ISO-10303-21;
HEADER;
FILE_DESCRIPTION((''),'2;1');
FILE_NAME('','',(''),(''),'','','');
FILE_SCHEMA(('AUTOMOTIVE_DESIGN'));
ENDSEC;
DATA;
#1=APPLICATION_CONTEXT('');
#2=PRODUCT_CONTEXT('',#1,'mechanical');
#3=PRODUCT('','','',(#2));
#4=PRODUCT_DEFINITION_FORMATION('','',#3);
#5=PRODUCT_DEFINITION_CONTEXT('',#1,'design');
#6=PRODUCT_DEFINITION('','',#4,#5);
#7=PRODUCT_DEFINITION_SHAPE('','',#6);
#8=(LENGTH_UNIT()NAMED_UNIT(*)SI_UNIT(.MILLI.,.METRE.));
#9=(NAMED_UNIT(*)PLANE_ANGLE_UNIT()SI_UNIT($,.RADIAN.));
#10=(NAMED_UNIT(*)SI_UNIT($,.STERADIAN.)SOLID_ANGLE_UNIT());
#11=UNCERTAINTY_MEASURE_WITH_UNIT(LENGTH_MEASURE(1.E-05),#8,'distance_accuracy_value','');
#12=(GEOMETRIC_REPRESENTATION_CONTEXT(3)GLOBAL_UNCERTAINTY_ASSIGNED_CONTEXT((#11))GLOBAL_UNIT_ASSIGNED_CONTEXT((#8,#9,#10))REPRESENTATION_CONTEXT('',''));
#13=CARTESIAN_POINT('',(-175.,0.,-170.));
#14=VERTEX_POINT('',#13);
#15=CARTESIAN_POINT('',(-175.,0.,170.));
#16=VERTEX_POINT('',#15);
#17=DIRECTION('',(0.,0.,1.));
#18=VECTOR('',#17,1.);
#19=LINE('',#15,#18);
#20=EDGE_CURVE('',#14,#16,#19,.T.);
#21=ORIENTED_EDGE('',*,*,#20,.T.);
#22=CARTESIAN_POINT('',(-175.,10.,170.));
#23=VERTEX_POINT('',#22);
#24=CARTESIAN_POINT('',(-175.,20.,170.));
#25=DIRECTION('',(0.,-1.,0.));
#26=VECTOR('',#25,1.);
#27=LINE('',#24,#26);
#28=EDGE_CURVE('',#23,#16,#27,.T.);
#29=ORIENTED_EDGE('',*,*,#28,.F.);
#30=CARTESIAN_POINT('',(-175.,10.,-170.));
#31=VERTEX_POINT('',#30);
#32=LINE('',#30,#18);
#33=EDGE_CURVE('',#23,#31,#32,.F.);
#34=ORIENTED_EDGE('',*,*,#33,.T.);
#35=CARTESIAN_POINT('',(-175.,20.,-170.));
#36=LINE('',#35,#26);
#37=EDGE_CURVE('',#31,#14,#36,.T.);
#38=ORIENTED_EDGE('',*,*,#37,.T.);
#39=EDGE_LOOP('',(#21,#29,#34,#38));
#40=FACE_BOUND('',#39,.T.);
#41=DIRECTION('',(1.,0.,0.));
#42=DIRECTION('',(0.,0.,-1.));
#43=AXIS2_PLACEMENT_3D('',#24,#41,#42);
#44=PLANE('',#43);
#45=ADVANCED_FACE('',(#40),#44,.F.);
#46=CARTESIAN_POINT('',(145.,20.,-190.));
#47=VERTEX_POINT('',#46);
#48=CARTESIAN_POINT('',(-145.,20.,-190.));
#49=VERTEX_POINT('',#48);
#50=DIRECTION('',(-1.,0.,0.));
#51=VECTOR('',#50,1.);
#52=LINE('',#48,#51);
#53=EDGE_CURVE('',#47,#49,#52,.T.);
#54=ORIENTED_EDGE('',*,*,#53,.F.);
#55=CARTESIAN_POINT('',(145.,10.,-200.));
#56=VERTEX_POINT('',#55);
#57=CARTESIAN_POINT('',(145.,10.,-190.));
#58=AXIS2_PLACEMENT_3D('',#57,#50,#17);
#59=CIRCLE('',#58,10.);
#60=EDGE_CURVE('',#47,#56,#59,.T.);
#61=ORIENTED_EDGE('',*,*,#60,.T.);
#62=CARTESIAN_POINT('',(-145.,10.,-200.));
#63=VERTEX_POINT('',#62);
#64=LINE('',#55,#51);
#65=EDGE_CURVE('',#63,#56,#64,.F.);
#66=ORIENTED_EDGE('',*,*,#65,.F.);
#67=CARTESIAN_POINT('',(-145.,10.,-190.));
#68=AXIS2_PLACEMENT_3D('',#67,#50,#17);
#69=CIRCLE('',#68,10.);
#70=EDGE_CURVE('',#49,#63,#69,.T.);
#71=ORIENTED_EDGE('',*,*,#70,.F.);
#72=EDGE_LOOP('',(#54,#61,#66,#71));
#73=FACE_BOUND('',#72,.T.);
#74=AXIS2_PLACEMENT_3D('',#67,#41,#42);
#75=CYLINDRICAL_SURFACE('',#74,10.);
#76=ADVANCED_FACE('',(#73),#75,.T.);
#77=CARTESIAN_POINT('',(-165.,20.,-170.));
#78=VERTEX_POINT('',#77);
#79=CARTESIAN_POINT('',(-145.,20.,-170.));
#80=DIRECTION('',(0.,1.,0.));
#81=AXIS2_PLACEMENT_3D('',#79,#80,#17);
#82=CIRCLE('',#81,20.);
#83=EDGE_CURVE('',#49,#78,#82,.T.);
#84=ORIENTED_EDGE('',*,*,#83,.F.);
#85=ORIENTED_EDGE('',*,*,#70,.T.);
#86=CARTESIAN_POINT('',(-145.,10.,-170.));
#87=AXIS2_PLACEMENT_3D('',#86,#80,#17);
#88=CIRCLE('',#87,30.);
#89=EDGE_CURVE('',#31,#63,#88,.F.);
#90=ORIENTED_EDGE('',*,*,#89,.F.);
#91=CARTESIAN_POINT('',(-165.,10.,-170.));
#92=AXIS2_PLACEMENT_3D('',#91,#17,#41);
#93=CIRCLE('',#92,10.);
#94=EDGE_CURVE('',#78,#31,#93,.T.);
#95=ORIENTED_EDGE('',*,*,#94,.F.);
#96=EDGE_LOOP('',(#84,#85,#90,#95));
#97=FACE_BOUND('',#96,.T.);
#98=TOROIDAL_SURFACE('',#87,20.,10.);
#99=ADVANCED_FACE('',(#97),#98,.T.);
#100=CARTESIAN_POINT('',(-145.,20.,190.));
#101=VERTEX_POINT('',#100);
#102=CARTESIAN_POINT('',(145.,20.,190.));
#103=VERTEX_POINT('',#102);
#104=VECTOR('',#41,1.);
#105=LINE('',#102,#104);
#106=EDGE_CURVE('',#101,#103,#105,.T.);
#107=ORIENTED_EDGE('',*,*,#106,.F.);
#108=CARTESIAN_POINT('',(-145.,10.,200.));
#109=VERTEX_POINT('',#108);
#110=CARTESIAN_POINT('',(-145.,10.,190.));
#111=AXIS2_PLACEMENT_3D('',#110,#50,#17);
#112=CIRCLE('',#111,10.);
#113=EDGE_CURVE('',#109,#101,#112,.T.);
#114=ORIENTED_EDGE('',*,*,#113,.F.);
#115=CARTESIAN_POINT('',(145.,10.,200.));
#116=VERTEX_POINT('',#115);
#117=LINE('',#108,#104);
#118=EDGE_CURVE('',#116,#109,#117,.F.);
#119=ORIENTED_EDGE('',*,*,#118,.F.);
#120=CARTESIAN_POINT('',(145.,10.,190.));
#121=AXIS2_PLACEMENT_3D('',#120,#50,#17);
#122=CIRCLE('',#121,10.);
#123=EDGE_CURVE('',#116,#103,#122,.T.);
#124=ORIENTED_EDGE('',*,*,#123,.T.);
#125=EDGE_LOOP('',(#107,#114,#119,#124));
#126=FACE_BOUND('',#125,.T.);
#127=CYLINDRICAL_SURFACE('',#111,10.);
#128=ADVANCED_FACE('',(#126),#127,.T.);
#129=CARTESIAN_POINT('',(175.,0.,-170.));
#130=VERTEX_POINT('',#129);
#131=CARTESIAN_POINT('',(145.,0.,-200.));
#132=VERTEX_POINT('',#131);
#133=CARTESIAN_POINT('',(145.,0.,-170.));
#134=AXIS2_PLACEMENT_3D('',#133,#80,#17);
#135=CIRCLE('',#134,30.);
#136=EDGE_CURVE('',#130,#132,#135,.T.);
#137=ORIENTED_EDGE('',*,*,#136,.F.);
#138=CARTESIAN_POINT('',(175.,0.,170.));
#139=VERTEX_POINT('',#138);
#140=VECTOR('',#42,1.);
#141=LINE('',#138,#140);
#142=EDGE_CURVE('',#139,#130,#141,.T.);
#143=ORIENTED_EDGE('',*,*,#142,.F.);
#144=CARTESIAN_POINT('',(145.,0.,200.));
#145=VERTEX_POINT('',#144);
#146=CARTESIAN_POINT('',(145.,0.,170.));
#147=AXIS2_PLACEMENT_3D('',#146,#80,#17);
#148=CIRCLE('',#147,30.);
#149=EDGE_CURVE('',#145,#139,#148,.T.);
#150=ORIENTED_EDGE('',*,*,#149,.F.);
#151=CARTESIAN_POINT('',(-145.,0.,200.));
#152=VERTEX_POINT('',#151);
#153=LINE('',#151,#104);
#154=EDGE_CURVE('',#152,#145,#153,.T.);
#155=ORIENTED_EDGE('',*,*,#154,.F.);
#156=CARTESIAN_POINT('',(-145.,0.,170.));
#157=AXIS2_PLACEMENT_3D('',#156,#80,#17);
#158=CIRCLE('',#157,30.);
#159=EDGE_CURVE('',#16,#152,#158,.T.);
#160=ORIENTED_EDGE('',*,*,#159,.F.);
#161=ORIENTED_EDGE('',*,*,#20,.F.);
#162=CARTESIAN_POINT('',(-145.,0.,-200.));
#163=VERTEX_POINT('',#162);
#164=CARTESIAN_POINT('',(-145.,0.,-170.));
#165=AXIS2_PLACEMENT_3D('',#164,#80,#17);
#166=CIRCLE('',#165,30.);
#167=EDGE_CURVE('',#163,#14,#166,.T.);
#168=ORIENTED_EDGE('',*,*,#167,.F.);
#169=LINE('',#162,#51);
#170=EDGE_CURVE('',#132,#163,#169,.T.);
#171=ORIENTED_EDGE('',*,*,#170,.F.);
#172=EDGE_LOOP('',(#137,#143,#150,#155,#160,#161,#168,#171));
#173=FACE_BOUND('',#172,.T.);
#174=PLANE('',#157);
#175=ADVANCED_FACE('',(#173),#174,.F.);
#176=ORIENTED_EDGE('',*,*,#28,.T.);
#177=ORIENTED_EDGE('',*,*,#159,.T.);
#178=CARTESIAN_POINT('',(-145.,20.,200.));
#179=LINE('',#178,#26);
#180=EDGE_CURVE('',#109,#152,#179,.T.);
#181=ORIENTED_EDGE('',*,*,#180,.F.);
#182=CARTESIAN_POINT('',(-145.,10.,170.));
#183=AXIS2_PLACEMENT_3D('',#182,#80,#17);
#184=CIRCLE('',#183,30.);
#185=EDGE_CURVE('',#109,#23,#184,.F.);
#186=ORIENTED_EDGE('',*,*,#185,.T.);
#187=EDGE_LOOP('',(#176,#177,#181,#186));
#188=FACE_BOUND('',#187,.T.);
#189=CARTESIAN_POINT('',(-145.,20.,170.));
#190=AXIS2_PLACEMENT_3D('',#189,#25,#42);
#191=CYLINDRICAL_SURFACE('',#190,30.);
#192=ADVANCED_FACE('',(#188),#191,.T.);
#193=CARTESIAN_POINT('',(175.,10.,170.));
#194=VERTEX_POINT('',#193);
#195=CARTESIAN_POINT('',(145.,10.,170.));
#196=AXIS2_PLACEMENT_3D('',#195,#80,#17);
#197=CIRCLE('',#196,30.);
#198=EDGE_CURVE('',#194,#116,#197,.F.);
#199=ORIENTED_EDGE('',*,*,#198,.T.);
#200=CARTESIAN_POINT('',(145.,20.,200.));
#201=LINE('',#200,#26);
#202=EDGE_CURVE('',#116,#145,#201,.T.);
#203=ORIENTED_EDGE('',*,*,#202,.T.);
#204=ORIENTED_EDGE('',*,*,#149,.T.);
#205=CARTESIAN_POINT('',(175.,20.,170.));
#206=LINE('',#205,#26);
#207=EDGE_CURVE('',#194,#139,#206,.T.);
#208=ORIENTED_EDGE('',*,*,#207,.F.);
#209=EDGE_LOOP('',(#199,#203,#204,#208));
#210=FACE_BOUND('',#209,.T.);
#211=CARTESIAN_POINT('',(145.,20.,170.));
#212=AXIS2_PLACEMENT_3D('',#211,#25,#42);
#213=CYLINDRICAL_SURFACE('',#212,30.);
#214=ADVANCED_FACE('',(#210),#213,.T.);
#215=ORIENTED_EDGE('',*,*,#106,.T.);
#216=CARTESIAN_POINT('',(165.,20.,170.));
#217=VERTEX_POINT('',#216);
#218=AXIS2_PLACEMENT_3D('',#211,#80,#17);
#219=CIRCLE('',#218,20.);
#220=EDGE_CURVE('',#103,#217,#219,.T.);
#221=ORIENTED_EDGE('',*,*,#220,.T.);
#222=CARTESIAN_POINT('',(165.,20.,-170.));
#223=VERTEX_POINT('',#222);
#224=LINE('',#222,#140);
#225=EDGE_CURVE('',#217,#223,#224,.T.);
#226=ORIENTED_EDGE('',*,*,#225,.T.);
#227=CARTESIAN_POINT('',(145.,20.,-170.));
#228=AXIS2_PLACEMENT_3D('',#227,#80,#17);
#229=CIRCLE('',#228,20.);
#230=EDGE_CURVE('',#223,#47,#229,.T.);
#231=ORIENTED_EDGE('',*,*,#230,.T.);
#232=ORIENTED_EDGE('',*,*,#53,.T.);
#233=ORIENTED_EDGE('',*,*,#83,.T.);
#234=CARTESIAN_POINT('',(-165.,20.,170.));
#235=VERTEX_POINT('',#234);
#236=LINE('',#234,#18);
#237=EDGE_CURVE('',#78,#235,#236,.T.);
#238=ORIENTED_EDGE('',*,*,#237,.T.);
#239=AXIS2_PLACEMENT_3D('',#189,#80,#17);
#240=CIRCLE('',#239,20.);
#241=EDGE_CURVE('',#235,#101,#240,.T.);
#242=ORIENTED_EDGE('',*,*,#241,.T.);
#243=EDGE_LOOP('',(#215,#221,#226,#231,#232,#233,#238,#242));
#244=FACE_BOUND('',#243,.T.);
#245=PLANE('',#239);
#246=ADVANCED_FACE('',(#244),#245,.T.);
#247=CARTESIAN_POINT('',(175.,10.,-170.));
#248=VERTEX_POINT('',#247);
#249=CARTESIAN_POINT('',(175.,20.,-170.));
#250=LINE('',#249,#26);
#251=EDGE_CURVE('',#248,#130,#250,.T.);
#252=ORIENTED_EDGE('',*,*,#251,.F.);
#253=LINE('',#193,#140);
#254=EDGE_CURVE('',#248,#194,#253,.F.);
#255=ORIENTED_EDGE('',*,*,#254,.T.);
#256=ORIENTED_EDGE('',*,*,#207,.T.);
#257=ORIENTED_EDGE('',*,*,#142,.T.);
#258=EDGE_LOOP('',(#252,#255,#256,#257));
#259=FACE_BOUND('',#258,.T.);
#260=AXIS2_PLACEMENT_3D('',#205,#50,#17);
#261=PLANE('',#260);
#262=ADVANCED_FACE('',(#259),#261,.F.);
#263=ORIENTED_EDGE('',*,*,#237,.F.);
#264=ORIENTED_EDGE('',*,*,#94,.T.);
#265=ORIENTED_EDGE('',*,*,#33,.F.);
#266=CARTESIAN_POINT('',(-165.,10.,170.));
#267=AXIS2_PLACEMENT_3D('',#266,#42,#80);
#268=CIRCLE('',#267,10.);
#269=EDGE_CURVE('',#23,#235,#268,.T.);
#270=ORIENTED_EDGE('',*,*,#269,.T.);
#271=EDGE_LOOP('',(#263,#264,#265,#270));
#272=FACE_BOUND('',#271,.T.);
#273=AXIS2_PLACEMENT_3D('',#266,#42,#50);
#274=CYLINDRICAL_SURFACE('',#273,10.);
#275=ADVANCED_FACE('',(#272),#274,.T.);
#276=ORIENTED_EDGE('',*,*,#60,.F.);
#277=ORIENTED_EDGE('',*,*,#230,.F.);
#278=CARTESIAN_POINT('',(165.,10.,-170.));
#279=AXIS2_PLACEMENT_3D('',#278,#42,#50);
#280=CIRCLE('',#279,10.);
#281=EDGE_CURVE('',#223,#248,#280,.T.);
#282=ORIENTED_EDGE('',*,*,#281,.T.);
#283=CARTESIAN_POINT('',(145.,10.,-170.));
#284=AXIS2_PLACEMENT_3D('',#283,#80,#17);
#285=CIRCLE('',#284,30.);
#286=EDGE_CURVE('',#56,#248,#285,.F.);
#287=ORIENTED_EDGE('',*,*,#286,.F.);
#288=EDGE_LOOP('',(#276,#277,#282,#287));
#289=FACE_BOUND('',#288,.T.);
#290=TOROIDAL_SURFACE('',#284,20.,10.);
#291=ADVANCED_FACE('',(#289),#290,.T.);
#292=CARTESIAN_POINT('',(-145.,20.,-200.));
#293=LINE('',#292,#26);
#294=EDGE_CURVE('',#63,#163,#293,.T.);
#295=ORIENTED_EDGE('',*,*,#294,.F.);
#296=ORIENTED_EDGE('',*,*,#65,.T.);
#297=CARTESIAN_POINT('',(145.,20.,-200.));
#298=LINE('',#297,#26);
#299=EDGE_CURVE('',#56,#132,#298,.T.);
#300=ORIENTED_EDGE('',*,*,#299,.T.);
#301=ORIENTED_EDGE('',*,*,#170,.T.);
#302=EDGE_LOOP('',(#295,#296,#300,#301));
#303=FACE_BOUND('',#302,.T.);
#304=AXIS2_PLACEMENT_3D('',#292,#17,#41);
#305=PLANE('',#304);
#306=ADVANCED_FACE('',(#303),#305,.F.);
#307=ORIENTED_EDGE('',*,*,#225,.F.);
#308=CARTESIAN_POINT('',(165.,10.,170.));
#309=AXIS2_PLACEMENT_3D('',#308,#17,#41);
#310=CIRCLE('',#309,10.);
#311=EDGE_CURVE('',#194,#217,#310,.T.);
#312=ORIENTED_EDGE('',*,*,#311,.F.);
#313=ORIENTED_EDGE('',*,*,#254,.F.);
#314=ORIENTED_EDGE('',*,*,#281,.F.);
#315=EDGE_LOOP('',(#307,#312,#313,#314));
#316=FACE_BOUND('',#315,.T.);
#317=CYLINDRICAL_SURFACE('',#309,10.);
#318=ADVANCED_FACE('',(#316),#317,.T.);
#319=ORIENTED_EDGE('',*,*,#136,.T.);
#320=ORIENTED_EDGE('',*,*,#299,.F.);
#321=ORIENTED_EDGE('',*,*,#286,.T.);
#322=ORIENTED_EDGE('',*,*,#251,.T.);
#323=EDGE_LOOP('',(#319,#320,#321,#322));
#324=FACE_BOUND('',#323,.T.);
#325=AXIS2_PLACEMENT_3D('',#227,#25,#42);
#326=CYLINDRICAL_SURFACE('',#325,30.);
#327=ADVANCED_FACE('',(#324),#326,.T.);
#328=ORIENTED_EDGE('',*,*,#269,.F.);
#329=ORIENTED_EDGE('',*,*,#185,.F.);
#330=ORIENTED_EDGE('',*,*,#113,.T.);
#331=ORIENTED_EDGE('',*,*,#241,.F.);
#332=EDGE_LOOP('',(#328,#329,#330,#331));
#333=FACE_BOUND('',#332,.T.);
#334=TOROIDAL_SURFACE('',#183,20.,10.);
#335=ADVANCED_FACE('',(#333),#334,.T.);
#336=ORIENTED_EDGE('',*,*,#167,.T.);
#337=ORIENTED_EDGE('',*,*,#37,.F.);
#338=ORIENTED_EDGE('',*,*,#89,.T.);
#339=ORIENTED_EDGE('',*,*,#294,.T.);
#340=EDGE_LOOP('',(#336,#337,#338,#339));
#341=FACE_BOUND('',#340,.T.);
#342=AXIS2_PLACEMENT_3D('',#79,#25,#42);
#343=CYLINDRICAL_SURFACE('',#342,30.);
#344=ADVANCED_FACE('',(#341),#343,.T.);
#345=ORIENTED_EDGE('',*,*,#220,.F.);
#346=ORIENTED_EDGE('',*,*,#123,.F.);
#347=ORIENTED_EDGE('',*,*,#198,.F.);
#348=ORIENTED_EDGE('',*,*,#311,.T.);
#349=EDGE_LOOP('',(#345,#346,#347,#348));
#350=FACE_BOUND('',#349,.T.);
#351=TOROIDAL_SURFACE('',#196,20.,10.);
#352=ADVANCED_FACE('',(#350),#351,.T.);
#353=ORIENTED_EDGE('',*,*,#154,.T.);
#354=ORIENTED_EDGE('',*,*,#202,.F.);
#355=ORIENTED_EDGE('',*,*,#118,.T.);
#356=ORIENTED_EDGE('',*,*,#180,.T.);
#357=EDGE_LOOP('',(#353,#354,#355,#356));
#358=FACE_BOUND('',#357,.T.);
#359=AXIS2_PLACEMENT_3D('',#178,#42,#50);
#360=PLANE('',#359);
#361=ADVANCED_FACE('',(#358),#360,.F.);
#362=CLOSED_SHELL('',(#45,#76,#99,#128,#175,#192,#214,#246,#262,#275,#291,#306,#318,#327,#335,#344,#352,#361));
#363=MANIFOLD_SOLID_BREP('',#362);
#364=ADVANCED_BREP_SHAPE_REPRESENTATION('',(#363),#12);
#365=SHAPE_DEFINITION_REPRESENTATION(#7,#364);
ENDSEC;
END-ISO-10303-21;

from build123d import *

# Parameters (mm, degrees)
BOSS_EXTRUDE1_DEPTH = 20
FILLET1_R           = 10


with BuildPart() as part:
    # Sketch1 → Boss-Extrude1 (new body)
    with BuildSketch(Plane(origin=(0, 0, 0), x_dir=(1, 0, 0), z_dir=(0, 1, 0))):
        with BuildLine():
            Line((-145, -200), (145, -200))
            ThreePointArc((145, -200), (166.213203436, -191.213203436), (175, -170))
            Line((175, -170), (175, 170))
            ThreePointArc((175, 170), (166.213203436, 191.213203436), (145, 200))
            Line((145, 200), (-145, 200))
            ThreePointArc((-145, 200), (-166.213203436, 191.213203436), (-175, 170))
            Line((-175, 170), (-175, -170))
            ThreePointArc((-175, -170), (-166.213203436, -191.213203436), (-145, -200))
        make_face()
    extrude(amount=BOSS_EXTRUDE1_DEPTH)

    # Fillet1
    fillet1_edges = [part.edges().sort_by_distance(p)[0] for p in [
        (166.213203436, 20, 191.213203436),
        (175, 20, 0),
        (166.213203436, 20, -191.213203436),
        (0, 20, -200),
        (-166.213203436, 20, -191.213203436),
        (-175, 20, 0),
        (-166.213203436, 20, 191.213203436),
        (0, 20, 200),
    ]]
    fillet(fillet1_edges, radius=FILLET1_R)


solid = part.part
